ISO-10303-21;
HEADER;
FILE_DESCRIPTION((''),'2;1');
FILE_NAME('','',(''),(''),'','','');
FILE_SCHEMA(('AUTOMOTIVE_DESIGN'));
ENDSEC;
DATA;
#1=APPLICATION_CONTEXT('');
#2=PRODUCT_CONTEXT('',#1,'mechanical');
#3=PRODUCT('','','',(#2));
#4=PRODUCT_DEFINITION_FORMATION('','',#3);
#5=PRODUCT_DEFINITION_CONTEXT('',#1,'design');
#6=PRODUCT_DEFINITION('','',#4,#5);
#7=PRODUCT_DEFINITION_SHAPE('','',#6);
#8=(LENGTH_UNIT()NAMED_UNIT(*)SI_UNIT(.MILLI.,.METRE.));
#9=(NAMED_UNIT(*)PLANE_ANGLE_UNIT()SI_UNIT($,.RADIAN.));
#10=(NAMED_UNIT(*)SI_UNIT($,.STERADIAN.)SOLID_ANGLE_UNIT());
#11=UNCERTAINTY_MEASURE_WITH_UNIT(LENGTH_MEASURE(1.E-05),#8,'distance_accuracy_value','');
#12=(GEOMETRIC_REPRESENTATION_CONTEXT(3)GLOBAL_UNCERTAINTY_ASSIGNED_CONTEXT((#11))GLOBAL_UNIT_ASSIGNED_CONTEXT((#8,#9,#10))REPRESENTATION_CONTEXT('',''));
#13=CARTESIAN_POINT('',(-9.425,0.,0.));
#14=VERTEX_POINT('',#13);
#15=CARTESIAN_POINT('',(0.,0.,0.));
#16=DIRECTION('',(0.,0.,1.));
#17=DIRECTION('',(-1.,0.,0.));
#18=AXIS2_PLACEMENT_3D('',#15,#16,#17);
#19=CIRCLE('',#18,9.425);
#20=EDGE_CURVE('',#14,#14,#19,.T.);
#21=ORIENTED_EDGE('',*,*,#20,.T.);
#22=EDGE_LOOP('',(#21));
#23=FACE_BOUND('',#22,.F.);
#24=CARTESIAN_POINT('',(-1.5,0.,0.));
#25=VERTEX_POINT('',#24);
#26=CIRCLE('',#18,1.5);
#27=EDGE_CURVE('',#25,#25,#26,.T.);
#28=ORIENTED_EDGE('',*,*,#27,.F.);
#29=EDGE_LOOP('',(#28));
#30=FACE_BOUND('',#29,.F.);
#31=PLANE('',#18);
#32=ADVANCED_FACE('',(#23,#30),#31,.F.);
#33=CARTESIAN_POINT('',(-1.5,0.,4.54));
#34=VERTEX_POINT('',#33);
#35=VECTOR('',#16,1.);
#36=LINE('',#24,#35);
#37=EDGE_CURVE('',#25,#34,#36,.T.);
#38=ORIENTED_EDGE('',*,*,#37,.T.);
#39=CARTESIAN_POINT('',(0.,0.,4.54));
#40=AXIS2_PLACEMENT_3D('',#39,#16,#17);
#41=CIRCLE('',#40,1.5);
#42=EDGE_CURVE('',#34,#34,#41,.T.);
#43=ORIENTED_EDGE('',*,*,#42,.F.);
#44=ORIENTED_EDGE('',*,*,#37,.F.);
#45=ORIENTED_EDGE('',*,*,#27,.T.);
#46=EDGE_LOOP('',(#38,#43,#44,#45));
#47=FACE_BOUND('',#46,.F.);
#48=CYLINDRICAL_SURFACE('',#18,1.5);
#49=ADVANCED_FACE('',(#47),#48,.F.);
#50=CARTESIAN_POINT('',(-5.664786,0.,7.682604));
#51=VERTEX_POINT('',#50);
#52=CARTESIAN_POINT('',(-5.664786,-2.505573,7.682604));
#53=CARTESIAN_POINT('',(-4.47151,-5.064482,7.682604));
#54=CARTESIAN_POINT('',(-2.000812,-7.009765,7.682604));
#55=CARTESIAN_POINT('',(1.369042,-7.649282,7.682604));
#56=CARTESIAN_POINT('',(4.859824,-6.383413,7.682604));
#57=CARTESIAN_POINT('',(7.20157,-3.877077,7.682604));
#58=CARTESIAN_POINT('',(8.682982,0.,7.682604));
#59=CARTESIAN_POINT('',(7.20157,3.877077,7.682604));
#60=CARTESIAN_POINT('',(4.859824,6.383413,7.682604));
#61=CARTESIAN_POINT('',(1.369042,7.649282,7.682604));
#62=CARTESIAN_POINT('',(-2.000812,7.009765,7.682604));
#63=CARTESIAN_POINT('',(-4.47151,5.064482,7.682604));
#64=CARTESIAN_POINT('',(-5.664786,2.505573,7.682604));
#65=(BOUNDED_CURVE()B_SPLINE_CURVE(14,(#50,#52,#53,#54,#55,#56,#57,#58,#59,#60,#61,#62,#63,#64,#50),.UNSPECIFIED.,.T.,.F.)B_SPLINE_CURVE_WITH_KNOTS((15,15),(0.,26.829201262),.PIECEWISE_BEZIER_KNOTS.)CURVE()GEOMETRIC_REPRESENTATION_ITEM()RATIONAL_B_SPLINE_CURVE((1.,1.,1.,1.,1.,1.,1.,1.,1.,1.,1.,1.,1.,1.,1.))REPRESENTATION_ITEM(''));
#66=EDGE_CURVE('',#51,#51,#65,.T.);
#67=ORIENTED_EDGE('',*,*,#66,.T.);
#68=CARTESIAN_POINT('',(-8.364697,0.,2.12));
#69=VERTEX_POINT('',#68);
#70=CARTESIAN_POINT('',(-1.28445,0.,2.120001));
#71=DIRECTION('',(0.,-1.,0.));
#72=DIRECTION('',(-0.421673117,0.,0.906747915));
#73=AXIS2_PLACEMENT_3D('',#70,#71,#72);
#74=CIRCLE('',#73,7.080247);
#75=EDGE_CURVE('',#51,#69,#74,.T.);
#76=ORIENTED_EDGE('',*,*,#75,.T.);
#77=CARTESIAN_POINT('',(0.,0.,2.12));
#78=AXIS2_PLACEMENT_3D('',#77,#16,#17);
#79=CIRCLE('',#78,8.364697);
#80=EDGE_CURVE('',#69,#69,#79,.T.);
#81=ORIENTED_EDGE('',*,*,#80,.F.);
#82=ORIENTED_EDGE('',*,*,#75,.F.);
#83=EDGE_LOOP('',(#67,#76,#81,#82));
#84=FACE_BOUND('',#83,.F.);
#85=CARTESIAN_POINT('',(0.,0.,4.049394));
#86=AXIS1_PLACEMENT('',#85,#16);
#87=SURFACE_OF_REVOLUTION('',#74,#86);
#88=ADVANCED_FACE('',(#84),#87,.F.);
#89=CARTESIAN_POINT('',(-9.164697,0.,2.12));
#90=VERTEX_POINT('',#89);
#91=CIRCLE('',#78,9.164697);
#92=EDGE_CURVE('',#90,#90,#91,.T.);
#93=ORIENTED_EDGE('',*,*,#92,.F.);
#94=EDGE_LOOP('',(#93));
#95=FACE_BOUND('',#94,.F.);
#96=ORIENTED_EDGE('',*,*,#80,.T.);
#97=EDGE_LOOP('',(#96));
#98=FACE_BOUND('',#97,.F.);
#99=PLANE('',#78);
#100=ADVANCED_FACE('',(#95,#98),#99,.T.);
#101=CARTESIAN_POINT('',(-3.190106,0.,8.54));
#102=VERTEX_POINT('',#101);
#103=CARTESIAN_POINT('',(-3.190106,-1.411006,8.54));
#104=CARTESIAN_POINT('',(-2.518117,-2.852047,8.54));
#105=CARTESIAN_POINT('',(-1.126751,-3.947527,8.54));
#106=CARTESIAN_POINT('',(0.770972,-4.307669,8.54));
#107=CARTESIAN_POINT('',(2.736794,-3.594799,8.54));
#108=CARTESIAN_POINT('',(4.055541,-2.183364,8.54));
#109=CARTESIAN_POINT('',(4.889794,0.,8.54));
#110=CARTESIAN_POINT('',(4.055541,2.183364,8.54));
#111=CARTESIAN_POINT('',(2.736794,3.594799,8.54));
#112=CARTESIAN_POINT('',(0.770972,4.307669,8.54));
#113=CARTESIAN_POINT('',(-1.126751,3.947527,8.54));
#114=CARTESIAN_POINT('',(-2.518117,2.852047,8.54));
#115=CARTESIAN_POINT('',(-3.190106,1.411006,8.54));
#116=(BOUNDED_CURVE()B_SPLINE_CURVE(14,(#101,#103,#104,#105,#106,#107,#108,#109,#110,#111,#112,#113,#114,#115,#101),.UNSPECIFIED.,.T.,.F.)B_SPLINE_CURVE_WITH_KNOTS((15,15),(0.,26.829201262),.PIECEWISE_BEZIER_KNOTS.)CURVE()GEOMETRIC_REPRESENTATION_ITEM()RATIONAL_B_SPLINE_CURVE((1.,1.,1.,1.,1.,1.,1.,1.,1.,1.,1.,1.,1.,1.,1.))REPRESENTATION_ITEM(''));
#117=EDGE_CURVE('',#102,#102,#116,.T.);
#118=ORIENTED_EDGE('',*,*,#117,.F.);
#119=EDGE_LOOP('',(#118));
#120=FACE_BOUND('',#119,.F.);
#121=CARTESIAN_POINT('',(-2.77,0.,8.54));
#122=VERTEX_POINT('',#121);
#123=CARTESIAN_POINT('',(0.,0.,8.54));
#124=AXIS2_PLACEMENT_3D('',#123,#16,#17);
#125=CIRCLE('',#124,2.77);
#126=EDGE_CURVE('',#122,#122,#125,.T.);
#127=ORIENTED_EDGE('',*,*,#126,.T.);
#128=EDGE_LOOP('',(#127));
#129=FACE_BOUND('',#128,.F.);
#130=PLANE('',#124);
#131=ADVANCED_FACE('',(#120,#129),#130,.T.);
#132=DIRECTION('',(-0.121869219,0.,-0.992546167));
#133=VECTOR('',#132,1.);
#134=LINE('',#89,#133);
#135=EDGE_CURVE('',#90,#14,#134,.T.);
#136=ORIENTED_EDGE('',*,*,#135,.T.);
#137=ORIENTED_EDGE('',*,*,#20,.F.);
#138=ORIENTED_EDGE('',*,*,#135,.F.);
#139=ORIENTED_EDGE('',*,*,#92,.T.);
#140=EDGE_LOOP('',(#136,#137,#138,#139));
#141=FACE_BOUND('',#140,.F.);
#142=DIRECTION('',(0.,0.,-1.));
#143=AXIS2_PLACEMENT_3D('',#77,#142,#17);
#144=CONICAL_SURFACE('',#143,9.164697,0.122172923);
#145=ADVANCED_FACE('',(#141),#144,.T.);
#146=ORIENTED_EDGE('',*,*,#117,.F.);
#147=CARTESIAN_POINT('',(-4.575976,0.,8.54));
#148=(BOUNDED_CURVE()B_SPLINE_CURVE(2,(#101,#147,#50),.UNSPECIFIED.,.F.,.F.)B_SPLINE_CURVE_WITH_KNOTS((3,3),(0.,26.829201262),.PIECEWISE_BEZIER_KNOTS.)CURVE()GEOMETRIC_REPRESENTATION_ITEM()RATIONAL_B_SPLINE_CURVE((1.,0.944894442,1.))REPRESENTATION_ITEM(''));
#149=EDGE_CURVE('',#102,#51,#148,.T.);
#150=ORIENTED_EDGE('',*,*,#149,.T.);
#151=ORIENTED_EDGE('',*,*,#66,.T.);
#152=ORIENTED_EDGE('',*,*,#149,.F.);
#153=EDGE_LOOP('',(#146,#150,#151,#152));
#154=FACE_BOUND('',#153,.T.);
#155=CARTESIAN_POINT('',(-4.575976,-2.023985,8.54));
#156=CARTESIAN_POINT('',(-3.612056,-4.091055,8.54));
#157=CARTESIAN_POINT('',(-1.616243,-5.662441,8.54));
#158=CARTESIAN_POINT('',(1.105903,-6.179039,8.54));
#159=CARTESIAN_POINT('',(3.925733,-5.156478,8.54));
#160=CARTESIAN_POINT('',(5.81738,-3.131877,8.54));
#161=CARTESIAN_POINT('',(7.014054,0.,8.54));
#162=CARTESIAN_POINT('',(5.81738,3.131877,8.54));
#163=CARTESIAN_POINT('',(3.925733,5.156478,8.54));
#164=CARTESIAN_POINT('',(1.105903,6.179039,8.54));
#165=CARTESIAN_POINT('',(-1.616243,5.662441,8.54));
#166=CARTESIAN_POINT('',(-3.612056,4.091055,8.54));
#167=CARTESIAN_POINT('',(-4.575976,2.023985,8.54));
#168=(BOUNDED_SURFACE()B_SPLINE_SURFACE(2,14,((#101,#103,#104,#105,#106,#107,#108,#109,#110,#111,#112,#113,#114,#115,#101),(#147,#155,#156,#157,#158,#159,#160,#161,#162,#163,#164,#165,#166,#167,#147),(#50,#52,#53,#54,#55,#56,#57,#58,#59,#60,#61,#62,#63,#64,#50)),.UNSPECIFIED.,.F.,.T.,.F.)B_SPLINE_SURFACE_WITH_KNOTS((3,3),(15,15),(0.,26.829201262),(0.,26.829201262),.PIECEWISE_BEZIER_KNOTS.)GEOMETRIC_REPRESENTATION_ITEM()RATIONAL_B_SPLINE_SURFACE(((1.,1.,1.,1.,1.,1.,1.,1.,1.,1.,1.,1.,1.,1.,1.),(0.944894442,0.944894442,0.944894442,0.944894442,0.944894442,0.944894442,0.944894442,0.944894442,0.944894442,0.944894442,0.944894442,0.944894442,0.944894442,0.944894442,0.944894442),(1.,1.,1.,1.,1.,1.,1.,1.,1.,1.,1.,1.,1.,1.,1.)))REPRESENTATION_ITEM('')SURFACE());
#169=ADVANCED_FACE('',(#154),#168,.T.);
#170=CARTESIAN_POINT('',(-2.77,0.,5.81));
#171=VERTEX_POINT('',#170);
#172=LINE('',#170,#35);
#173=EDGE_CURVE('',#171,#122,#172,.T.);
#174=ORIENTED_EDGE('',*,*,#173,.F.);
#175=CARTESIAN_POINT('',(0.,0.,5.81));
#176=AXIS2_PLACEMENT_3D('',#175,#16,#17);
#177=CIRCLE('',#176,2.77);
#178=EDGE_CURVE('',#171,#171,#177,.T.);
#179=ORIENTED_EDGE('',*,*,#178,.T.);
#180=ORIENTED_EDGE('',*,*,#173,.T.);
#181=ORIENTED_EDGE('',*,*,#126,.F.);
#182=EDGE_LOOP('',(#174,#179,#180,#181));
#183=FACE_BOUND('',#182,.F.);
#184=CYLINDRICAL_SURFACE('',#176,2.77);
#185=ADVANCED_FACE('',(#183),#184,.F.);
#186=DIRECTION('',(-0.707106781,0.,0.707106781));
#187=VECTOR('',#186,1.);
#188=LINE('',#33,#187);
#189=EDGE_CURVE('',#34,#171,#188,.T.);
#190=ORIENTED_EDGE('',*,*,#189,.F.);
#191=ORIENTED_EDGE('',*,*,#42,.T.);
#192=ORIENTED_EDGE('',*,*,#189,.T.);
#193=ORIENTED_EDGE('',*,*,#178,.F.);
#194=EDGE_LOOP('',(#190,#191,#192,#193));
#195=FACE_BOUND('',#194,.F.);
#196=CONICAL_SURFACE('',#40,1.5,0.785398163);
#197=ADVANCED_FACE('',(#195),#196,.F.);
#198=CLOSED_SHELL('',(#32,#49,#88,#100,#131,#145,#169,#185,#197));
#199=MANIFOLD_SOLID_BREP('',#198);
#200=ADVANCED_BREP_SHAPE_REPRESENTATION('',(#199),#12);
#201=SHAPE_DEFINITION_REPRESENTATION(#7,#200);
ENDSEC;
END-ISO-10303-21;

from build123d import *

# Parameters (mm, degrees)
F2_R = 4


with BuildPart() as f1:
    # F0 (on Front) → F1 (revolve)
    with BuildSketch(Plane.XZ):
        with BuildLine():
            Line((-9.425, 0), (-1.5, 0))
            Line((-1.5, 0), (-1.5, 4.54))
            Line((-1.5, 4.54), (-2.77, 5.81))
            Line((-2.77, 5.81), (-2.77, 8.54))
            Line((-2.77, 8.54), (-4.27, 8.54))
            ThreePointArc((-4.27, 8.54), (-7.253886, 5.927327), (-8.364697, 2.12))
            Line((-8.364697, 2.12), (-9.164697, 2.12))
            Line((-9.164697, 2.12), (-9.425, 0))
        make_face()
    revolve(axis=Axis((0, 0, 4.049394), (0, 0, 1)))

    # F2
    f2_edges = [f1.edges().sort_by_distance(p)[0] for p in [
        (4.27, 0, 8.54),
    ]]
    fillet(f2_edges, radius=F2_R)


solid = f1.part
